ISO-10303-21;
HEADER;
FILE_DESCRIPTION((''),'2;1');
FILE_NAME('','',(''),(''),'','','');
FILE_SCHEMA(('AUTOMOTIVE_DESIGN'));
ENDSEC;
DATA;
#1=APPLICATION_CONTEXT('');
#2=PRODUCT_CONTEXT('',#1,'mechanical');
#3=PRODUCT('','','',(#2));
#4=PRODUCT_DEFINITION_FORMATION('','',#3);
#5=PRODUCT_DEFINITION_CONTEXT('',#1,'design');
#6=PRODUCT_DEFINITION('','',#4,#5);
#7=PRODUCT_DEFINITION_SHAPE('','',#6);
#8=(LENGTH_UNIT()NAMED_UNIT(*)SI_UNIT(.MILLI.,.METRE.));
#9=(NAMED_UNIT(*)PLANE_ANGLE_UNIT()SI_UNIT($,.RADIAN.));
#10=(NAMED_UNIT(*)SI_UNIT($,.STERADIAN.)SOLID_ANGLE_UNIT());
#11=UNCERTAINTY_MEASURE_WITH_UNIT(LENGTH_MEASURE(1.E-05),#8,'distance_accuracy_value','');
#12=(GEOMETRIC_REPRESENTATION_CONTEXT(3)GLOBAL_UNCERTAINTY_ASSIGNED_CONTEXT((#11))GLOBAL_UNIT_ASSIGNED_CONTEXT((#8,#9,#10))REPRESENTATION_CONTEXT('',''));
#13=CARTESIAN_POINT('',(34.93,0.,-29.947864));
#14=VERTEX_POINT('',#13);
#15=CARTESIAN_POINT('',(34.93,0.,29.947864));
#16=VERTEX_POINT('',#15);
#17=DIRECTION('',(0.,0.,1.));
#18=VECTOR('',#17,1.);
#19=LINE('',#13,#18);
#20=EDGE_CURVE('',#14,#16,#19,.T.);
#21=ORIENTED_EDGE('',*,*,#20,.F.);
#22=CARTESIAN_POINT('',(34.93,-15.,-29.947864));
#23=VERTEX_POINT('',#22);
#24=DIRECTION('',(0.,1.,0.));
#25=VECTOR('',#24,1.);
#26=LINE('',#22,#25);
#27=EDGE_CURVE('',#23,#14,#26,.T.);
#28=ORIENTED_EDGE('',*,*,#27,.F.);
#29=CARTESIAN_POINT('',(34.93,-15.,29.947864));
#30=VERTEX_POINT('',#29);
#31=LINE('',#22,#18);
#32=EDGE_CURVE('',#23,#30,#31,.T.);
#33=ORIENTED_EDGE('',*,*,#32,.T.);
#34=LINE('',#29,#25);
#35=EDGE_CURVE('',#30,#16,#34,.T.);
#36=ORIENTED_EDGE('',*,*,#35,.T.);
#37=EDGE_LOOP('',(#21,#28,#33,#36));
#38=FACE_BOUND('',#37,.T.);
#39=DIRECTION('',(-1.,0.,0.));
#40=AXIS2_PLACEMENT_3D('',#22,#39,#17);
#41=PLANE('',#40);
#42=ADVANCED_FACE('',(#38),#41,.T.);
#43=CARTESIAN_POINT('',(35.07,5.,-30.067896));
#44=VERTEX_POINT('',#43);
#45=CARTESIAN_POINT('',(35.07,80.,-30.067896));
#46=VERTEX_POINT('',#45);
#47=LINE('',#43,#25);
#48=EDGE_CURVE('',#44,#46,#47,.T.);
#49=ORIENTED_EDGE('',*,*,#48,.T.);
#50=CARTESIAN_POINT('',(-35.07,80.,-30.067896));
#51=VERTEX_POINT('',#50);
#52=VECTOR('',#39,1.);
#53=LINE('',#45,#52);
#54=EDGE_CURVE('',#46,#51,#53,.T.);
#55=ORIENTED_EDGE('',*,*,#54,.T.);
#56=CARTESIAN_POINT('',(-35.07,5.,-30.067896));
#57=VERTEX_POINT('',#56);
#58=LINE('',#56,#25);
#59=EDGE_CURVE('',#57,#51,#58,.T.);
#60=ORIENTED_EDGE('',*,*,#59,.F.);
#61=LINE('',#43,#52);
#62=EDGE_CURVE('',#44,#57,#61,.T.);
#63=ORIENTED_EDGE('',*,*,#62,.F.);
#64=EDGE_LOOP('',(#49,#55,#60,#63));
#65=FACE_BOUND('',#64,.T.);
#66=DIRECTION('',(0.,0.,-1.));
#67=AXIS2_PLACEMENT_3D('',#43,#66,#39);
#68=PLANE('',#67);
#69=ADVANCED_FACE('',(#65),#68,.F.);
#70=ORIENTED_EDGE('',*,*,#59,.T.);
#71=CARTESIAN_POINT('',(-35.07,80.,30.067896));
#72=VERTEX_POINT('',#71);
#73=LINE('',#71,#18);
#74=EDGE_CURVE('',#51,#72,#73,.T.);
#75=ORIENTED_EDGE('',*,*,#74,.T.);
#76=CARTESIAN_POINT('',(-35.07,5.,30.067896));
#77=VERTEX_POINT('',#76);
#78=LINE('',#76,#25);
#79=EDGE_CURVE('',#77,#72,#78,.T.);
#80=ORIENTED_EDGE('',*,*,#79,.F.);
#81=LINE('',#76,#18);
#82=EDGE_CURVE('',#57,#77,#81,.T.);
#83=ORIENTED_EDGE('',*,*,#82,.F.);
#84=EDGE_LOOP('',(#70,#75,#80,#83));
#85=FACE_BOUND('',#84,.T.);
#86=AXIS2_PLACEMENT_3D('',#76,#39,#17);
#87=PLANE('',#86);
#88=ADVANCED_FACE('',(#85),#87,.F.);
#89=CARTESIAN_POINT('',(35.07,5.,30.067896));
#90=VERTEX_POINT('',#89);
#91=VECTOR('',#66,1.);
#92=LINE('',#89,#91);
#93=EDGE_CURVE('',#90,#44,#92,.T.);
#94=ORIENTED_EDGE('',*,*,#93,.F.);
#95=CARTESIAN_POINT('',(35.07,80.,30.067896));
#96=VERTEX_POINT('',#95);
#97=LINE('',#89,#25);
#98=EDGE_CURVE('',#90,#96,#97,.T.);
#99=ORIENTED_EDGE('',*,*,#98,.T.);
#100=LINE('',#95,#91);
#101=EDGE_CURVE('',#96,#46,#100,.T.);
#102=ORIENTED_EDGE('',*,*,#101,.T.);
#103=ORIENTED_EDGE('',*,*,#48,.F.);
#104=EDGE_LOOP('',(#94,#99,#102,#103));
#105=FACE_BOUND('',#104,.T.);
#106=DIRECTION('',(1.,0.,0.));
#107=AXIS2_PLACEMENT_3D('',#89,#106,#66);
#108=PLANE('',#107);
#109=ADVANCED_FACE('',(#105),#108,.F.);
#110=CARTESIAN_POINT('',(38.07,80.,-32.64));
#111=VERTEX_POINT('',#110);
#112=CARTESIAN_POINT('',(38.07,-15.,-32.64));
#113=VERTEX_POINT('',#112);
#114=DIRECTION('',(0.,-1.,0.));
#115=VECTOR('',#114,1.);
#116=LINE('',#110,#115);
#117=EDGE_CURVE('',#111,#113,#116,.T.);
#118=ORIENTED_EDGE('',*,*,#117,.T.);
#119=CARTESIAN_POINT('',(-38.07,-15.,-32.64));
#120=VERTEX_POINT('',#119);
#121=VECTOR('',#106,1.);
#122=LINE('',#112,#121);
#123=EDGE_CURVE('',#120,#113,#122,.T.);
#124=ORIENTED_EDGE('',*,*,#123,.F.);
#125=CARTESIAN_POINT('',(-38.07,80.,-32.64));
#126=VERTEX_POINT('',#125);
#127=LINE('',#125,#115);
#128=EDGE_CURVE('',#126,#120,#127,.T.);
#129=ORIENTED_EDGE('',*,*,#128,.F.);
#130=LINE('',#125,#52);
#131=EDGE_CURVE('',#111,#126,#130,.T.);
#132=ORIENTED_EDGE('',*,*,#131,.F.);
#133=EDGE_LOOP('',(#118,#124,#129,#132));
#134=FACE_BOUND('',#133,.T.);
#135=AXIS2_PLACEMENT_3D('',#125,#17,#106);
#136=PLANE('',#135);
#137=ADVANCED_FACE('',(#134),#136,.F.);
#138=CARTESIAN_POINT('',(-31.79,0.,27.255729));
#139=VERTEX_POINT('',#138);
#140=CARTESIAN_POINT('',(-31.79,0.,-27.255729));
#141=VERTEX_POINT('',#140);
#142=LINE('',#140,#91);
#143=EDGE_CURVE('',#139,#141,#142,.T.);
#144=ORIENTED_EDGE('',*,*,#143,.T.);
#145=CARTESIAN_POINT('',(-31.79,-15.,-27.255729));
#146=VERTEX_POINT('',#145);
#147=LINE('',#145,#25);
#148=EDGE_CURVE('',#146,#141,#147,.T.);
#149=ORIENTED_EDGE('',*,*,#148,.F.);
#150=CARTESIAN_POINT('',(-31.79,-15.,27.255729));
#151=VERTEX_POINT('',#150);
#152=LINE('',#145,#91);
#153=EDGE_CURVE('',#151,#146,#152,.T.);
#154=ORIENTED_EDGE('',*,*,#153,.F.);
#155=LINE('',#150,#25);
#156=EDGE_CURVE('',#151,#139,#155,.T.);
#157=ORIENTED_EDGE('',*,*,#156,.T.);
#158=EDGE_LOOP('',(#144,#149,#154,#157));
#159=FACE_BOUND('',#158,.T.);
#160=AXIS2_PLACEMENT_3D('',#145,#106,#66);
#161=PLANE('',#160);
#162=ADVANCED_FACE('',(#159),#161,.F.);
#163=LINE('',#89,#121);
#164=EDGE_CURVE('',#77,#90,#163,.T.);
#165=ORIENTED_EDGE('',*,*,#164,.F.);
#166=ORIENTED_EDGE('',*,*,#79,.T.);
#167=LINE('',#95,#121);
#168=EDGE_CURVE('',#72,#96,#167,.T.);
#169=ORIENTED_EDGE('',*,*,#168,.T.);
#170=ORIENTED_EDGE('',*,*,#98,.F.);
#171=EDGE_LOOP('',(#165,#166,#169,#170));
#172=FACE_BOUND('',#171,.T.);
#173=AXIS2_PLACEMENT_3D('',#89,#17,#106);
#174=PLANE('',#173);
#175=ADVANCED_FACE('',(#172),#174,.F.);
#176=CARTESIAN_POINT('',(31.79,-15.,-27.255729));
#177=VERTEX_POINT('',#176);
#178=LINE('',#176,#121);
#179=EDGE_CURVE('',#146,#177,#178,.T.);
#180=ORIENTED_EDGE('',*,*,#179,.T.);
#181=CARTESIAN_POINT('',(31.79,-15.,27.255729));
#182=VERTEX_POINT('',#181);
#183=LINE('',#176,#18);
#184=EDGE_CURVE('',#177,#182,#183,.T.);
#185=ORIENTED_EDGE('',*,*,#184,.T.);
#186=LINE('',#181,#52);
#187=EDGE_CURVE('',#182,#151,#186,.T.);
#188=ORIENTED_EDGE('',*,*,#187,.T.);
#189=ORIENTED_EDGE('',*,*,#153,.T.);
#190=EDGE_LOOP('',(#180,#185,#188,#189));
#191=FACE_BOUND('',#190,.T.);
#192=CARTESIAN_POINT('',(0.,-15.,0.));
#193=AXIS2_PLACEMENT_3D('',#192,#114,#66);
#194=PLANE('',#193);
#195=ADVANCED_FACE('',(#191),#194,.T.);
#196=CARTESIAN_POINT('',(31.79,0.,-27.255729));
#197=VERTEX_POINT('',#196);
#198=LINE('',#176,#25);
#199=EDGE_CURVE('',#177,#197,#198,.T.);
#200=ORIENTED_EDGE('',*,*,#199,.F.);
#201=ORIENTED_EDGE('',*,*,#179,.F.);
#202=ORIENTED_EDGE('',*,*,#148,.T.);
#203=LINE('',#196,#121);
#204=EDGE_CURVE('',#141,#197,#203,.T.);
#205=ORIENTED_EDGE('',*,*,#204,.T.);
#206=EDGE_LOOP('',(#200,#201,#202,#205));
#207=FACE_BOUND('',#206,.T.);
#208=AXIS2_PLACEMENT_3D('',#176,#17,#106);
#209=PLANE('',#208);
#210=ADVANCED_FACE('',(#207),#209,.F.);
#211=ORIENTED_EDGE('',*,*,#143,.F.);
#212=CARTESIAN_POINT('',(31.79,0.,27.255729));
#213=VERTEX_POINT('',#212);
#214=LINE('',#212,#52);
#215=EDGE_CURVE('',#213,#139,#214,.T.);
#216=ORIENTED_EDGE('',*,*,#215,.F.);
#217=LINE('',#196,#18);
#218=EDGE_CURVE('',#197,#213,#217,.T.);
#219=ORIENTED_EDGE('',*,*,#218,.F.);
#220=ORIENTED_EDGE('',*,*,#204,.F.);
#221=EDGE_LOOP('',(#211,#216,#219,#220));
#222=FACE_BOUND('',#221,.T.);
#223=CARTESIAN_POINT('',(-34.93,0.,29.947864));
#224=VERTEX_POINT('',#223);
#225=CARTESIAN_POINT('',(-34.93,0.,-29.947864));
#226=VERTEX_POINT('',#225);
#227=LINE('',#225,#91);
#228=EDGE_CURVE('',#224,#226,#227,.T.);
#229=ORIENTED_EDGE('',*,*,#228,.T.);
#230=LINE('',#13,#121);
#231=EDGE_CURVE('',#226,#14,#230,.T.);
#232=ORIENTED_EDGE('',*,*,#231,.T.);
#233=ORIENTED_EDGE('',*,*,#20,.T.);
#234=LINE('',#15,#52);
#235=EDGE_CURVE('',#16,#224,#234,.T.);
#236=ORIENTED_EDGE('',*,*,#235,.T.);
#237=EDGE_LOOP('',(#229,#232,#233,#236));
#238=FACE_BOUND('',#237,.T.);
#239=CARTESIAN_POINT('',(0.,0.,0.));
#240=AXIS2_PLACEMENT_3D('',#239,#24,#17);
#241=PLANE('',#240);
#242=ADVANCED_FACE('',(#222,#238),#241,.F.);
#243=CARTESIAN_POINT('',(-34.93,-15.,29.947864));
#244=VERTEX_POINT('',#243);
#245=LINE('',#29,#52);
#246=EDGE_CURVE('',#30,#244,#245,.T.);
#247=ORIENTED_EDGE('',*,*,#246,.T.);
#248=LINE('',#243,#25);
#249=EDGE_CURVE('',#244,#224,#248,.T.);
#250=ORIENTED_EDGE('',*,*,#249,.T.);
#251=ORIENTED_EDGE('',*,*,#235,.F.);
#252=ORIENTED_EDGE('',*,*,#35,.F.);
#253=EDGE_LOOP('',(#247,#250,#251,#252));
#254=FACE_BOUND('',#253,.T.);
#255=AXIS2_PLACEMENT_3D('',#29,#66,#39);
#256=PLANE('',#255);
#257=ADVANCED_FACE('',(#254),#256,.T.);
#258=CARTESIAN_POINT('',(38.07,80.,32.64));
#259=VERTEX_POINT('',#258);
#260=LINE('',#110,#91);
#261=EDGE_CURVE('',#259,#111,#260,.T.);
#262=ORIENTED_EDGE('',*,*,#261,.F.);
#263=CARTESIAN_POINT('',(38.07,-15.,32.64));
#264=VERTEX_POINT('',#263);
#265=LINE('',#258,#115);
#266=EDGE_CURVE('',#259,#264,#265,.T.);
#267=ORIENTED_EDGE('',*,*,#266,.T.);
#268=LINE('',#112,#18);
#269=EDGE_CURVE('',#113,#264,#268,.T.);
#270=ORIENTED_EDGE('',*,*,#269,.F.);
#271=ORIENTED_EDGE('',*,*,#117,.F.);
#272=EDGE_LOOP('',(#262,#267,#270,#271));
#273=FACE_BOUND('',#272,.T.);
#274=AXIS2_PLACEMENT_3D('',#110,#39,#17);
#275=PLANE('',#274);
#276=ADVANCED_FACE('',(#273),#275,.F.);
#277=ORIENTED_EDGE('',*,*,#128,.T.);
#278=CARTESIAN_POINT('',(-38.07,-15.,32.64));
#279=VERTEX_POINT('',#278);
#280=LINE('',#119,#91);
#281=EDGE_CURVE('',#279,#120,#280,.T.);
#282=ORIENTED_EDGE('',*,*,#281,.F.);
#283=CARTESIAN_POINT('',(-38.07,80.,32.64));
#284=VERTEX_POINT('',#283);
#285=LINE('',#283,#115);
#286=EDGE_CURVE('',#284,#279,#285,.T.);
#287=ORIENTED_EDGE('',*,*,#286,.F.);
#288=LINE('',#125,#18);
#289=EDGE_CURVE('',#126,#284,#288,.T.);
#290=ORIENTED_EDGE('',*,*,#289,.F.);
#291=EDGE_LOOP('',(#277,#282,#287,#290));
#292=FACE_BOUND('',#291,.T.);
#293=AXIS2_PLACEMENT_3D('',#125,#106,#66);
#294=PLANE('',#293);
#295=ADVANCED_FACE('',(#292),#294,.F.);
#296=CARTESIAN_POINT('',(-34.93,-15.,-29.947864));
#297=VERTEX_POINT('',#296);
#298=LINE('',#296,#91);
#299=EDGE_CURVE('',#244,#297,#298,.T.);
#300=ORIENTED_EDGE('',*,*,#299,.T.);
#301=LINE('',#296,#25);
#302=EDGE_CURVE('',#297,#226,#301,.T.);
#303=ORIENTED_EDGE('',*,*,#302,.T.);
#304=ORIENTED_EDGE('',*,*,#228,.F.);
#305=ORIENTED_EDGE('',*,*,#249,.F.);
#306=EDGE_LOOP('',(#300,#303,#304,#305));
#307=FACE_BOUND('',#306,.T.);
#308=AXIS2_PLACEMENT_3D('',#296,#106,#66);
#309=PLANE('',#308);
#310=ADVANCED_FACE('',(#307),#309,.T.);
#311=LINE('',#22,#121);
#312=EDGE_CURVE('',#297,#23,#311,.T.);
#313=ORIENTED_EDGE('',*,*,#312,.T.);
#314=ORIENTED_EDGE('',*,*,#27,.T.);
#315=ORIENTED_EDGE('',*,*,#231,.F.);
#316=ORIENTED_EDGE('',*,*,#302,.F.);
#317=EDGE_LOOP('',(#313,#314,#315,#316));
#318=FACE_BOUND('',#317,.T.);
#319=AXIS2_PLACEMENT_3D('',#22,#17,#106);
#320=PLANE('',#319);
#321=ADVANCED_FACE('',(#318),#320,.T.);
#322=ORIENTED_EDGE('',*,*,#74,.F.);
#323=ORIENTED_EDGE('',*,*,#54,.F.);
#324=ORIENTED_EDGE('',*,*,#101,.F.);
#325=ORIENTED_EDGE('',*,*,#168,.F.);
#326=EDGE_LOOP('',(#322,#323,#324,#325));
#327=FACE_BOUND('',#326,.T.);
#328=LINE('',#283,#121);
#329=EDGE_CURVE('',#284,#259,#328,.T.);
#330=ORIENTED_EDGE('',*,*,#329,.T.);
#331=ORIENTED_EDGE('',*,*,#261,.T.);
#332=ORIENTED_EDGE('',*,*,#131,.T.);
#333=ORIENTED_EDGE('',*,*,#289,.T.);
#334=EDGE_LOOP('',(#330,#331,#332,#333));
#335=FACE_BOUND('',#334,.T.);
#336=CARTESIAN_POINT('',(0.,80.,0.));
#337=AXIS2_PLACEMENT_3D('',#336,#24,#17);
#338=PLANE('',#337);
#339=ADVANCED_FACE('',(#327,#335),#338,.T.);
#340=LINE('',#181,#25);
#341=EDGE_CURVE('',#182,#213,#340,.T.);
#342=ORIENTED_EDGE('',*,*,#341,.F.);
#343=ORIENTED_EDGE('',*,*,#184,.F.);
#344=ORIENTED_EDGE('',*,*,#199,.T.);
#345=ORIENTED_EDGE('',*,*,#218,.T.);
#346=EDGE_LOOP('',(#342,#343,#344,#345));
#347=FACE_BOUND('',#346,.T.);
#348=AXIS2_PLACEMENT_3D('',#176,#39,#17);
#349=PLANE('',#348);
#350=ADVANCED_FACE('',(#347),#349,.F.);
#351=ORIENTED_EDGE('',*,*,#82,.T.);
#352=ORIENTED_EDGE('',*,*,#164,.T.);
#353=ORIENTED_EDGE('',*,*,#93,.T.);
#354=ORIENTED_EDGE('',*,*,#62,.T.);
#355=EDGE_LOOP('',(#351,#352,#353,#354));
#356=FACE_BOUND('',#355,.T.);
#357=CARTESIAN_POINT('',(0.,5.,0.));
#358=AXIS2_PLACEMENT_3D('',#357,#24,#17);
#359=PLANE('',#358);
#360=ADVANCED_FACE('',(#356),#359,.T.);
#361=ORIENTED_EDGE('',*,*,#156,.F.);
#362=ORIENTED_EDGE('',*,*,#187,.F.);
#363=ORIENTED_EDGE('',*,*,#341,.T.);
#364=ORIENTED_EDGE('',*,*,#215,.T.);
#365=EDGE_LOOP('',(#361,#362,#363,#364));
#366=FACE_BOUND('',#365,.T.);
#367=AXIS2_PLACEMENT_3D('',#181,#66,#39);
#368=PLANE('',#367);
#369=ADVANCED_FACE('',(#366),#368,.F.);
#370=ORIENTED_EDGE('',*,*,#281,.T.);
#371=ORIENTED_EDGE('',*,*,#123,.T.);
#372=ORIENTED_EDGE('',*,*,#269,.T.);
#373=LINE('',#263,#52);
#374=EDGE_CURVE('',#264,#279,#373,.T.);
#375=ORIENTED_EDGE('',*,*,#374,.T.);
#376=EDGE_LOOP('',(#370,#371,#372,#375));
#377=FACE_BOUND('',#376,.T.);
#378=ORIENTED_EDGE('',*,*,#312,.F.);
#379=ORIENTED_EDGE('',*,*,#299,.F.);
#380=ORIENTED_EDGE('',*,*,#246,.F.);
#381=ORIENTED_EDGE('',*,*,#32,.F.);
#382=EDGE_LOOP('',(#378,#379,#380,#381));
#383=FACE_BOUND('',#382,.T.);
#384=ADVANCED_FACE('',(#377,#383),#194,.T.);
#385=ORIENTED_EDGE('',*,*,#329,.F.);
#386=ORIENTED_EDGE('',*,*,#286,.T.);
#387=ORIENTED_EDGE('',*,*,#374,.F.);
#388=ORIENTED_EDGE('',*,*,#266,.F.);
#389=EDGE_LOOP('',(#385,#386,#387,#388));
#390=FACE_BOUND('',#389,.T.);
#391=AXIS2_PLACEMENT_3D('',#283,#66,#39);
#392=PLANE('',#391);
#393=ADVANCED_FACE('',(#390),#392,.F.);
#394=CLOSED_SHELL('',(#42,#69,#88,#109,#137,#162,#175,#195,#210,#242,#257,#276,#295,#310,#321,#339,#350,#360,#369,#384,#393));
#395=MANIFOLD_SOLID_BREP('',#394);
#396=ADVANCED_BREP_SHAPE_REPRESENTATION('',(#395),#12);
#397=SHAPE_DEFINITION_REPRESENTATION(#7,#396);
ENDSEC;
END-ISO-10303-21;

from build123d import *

# Parameters (mm, degrees)
SKETCH1_W           = 76.14
SKETCH1_H           = 65.28
BOSS_EXTRUDE1_DEPTH = 80
SKETCH3_W           = 76.14
SKETCH3_H           = 65.28
SKETCH3_W_2         = 69.86
SKETCH3_H_2         = 59.89572892
BOSS_EXTRUDE2_DEPTH = 15
SKETCH4_W           = 70.14
SKETCH4_H           = 60.135791962
CUT_EXTRUDE1_DEPTH  = 75
SKETCH5_W           = 63.58
SKETCH5_H           = 54.51145784
BOSS_EXTRUDE3_DEPTH = 15


with BuildPart() as part:
    # Sketch1 → Boss-Extrude1 (new body)
    with BuildSketch(Plane(origin=(0, 0, 0), x_dir=(1, 0, 0), z_dir=(0, 1, 0))):
        Rectangle(SKETCH1_W, SKETCH1_H)
    extrude(amount=BOSS_EXTRUDE1_DEPTH)

    # Sketch3 → Boss-Extrude2 (add)
    with BuildSketch(Plane.XZ):
        Rectangle(SKETCH3_W, SKETCH3_H)
        Rectangle(SKETCH3_W_2, SKETCH3_H_2, mode=Mode.SUBTRACT)
    extrude(amount=BOSS_EXTRUDE2_DEPTH)

    # Sketch4 → Cut-Extrude1 (cut)
    with BuildSketch(Plane(origin=(0, 80, 0), x_dir=(1, 0, 0), z_dir=(0, 1, 0))):
        Rectangle(SKETCH4_W, SKETCH4_H)
    extrude(amount=-CUT_EXTRUDE1_DEPTH, mode=Mode.SUBTRACT)

    # Sketch5 → Boss-Extrude3 (add)
    with BuildSketch(Plane.XZ):
        Rectangle(SKETCH5_W, SKETCH5_H)
    extrude(amount=BOSS_EXTRUDE3_DEPTH)


solid = part.part
